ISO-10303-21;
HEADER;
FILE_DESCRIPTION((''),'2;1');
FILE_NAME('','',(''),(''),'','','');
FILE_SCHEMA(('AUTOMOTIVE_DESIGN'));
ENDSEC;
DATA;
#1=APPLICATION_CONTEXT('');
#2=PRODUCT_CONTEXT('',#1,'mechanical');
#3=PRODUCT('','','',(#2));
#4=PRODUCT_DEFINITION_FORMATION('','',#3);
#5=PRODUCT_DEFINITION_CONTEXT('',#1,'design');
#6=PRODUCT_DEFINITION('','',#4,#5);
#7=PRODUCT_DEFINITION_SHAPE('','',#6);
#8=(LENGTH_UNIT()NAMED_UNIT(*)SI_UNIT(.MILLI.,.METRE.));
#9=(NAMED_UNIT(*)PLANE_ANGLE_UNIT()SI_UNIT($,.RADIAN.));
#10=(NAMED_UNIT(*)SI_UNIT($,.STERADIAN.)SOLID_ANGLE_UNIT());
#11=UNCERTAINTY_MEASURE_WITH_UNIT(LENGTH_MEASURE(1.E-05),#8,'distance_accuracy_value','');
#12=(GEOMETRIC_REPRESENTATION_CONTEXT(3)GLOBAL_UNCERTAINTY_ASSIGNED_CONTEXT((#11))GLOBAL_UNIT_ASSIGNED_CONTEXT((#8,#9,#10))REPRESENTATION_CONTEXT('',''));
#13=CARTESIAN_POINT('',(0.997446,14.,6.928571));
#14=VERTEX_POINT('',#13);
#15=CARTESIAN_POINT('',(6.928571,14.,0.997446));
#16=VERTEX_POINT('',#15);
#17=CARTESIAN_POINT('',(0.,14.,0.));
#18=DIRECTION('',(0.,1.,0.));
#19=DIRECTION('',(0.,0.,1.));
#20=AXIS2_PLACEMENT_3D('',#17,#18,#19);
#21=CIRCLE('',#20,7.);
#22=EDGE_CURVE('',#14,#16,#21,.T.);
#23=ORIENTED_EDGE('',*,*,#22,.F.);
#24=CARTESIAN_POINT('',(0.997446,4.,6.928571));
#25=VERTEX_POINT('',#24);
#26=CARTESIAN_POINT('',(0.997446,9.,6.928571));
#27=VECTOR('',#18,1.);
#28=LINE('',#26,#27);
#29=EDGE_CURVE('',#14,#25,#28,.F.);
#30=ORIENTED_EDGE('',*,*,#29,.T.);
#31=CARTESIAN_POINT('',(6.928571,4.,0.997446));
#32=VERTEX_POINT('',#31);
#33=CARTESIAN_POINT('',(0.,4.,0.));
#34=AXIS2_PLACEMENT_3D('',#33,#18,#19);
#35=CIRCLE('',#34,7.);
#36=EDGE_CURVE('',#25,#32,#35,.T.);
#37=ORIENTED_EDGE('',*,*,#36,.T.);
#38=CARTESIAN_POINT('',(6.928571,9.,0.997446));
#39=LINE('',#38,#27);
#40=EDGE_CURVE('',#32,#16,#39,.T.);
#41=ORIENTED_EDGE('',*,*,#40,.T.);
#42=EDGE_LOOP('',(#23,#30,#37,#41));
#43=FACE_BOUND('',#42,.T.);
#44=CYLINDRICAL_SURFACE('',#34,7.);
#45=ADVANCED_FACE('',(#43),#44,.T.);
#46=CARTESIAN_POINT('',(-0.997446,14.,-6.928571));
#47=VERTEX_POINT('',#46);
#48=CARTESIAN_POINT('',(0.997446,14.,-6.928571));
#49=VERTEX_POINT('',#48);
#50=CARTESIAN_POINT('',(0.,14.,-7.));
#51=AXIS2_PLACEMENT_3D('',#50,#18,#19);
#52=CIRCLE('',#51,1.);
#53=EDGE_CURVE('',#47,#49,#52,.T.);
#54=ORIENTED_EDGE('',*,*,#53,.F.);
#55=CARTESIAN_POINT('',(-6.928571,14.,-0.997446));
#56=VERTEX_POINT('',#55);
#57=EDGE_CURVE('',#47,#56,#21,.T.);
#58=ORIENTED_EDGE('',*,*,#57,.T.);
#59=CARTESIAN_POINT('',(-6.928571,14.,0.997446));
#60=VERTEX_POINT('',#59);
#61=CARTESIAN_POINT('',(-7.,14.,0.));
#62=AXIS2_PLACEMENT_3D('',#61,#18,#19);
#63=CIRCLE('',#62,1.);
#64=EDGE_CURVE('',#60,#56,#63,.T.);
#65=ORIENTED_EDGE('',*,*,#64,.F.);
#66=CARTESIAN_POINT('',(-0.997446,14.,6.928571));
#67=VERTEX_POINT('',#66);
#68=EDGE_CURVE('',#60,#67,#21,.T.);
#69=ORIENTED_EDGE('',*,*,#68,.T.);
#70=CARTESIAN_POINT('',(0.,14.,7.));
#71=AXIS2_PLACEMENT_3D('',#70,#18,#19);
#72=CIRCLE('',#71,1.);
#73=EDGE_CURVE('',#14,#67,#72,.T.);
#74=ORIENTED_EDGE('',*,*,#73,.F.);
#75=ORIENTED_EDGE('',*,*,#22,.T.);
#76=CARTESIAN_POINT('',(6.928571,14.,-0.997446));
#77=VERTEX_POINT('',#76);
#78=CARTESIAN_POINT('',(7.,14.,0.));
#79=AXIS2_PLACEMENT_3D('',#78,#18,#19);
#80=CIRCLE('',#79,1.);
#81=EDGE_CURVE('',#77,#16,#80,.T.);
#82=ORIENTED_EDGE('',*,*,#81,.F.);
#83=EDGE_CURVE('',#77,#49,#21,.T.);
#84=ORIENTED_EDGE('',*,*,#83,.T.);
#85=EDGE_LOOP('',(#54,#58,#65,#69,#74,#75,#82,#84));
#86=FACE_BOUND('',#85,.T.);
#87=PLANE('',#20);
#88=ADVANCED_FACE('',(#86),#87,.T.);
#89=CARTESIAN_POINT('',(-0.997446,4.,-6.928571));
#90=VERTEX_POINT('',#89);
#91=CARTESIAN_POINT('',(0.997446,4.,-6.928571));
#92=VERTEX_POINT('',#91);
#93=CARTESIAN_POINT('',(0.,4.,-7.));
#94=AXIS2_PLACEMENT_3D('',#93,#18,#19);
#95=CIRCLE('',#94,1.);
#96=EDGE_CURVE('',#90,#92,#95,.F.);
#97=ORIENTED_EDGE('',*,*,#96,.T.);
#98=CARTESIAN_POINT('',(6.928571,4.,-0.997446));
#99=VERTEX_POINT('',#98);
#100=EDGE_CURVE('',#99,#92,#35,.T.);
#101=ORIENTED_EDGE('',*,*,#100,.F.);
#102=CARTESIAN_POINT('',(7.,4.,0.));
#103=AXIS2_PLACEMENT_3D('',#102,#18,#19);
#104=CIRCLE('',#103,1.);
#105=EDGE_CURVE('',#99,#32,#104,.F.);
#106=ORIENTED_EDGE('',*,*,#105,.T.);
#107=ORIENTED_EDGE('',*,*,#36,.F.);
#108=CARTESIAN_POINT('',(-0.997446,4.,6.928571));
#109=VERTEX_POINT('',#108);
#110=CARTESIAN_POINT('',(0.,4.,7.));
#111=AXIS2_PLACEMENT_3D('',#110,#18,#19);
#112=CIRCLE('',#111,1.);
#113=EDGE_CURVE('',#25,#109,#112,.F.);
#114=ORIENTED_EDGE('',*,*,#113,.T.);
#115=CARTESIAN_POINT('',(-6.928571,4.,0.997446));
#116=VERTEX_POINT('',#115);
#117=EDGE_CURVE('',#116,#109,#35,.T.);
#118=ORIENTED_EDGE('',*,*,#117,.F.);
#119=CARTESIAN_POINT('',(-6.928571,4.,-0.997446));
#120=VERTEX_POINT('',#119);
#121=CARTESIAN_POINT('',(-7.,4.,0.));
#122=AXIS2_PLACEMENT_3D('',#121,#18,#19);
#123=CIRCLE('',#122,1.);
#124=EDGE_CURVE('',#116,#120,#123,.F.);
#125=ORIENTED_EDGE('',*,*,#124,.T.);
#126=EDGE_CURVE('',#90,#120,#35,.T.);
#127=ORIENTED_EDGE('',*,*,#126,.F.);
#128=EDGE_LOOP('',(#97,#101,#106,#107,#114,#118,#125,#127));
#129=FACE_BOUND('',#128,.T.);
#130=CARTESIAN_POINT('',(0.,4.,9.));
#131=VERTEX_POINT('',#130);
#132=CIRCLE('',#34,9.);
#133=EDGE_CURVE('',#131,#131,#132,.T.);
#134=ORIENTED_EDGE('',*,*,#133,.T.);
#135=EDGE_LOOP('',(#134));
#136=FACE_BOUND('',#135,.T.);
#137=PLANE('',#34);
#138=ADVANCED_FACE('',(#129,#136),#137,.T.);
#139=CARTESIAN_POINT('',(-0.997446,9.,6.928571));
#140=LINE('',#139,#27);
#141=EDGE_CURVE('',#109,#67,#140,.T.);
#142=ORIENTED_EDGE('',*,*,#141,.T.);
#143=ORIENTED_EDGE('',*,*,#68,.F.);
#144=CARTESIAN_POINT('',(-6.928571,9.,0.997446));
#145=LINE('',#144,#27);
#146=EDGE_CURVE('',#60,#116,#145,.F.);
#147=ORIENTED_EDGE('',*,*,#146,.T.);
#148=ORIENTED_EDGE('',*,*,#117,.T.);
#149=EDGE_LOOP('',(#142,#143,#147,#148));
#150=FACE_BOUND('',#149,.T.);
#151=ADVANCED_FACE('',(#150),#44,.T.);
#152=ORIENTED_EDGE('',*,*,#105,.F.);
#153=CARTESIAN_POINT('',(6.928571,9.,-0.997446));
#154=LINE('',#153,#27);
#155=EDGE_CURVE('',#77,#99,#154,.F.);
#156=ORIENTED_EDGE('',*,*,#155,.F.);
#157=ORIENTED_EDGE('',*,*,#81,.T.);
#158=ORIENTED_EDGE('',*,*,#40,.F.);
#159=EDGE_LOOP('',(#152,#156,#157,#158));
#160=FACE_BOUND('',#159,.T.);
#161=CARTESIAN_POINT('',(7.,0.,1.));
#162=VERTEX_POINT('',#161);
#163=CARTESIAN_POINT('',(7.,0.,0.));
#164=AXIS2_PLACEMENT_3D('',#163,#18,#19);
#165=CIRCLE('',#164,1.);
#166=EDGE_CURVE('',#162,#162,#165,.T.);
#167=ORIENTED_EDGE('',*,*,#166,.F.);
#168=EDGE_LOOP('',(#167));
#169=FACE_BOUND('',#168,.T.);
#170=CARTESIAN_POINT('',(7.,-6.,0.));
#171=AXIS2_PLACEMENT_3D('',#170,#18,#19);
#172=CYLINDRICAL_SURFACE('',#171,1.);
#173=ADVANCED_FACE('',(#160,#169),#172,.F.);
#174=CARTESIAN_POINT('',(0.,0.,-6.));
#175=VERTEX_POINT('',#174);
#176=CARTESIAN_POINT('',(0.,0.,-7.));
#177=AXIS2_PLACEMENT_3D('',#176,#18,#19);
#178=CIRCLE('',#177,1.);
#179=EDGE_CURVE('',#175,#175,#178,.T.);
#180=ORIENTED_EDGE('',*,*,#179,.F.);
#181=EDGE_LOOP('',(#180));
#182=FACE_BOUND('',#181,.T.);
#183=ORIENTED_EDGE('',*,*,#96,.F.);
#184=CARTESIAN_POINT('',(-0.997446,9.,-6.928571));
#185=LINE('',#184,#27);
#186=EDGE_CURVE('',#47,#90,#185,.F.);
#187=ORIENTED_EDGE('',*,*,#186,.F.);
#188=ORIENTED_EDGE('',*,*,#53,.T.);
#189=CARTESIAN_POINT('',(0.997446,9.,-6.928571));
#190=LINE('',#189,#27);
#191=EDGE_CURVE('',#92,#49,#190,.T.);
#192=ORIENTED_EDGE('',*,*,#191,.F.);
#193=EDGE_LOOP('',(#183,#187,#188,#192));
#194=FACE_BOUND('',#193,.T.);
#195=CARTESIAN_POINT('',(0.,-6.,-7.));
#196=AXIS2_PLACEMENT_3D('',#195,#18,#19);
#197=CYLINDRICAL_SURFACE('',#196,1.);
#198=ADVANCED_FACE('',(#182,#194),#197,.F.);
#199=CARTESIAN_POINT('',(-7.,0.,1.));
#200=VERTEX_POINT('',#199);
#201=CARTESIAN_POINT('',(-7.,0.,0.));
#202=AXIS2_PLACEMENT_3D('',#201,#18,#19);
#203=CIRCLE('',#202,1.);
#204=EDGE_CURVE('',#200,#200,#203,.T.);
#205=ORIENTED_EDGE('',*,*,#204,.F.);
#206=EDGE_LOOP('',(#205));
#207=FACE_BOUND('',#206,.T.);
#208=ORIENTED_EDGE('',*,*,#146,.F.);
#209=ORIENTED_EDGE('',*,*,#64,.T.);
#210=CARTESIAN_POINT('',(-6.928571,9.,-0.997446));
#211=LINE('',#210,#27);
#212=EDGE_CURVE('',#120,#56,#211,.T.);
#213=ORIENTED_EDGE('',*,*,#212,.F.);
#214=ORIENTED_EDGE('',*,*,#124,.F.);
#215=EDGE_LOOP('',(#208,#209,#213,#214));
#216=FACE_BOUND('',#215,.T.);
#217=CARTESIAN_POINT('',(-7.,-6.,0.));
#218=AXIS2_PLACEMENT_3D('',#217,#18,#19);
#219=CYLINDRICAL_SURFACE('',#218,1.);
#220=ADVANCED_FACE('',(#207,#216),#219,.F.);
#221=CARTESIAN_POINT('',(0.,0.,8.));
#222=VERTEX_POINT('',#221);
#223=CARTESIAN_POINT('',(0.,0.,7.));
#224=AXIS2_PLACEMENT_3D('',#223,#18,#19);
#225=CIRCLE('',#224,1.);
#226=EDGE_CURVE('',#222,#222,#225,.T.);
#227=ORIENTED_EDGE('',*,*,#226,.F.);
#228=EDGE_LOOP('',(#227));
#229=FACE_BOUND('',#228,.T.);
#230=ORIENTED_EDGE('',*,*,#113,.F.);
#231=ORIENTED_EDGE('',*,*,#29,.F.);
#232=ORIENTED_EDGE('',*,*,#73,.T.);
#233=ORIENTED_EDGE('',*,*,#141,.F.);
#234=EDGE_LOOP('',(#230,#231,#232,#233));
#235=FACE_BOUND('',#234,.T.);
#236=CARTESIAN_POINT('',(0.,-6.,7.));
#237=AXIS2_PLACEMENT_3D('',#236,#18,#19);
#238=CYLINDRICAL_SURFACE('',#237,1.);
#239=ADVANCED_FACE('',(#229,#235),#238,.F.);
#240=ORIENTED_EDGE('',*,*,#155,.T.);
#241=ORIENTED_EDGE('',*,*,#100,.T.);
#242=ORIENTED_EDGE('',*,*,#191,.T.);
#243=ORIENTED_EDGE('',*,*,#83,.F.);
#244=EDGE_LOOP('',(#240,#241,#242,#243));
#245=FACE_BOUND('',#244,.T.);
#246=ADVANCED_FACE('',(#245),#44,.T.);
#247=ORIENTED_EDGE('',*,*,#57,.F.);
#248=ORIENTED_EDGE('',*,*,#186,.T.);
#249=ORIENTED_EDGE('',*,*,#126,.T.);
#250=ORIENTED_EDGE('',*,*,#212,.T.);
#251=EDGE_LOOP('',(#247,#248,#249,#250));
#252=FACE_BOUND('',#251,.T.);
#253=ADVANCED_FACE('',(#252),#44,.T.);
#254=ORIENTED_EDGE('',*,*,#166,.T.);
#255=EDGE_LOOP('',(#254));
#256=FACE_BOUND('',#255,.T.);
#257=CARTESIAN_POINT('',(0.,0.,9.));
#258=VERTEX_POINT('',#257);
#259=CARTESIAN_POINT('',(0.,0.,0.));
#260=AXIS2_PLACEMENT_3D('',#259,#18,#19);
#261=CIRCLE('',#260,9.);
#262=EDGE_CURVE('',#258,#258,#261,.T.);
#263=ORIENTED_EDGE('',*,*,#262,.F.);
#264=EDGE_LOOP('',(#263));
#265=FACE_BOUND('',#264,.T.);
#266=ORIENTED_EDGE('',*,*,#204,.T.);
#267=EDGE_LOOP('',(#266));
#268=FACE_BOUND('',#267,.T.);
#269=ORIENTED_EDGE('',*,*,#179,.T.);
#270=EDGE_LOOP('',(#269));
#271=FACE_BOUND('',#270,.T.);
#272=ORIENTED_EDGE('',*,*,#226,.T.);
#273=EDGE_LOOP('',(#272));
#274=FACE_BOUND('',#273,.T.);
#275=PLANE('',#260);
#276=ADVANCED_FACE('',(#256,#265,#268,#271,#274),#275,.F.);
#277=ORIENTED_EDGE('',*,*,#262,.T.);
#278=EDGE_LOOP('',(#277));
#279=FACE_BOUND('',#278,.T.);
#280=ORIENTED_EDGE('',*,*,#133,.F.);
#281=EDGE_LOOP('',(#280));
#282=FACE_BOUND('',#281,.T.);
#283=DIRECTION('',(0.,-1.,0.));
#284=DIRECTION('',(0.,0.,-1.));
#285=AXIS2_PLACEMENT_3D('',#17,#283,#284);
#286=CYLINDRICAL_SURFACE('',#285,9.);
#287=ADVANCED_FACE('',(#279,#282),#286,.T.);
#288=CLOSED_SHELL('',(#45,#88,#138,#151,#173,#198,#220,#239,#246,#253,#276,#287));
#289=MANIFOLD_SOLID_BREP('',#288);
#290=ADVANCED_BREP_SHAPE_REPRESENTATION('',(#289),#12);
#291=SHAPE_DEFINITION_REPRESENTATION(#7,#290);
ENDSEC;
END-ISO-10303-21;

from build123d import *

# Parameters (mm, degrees)
SKETCH_1_R          = 9
EXTRUDE_1_DEPTH     = 14
SKETCH_2_R          = 1
CUT_EXTRUDE_1_DEPTH = 20
CUT_EXTRUDE_START   = -10
SKETCH_3_R          = 9
SKETCH_3_R_2        = 7
CUT_EXTRUDE_2_DEPTH = 10


with BuildPart() as part:
    # Эскиз1 → Бобышка-Вытянуть1 (new body)
    with BuildSketch(Plane(origin=(0, 0, 0), x_dir=(1, 0, 0), z_dir=(0, 1, 0))):
        with Locations(Location((0, 0, 0), (0, 0, 270))):
            Circle(SKETCH_1_R)
    extrude(amount=EXTRUDE_1_DEPTH)

    # Эскиз2 → Вырез-Вытянуть1 (cut)
    with BuildSketch(Plane(origin=(0, 14, 0), x_dir=(1, 0, 0), z_dir=(0, 1, 0))):
        with Locations(Location((0, 7, 0), (0, 0, 270))):
            Circle(SKETCH_2_R)
        with Locations(Location((7, 0, 0), (0, 0, 270))):
            Circle(SKETCH_2_R)
        with Locations(Location((-7, 0, 0), (0, 0, 270))):
            Circle(SKETCH_2_R)
        with Locations(Location((0, -7, 0), (0, 0, 270))):
            Circle(SKETCH_2_R)
    extrude(amount=-CUT_EXTRUDE_1_DEPTH, mode=Mode.SUBTRACT)

    # Эскиз3 → Вырез-Вытянуть2 (cut)
    with BuildSketch(Plane(origin=(0, 14, 0), x_dir=(1, 0, 0), z_dir=(0, 1, 0)).offset(CUT_EXTRUDE_START)):
        with Locations(Location((0, 0, 0), (0, 0, 270))):
            Circle(SKETCH_3_R)
        Circle(SKETCH_3_R_2, mode=Mode.SUBTRACT)
    extrude(amount=CUT_EXTRUDE_2_DEPTH, mode=Mode.SUBTRACT)


solid = part.part
